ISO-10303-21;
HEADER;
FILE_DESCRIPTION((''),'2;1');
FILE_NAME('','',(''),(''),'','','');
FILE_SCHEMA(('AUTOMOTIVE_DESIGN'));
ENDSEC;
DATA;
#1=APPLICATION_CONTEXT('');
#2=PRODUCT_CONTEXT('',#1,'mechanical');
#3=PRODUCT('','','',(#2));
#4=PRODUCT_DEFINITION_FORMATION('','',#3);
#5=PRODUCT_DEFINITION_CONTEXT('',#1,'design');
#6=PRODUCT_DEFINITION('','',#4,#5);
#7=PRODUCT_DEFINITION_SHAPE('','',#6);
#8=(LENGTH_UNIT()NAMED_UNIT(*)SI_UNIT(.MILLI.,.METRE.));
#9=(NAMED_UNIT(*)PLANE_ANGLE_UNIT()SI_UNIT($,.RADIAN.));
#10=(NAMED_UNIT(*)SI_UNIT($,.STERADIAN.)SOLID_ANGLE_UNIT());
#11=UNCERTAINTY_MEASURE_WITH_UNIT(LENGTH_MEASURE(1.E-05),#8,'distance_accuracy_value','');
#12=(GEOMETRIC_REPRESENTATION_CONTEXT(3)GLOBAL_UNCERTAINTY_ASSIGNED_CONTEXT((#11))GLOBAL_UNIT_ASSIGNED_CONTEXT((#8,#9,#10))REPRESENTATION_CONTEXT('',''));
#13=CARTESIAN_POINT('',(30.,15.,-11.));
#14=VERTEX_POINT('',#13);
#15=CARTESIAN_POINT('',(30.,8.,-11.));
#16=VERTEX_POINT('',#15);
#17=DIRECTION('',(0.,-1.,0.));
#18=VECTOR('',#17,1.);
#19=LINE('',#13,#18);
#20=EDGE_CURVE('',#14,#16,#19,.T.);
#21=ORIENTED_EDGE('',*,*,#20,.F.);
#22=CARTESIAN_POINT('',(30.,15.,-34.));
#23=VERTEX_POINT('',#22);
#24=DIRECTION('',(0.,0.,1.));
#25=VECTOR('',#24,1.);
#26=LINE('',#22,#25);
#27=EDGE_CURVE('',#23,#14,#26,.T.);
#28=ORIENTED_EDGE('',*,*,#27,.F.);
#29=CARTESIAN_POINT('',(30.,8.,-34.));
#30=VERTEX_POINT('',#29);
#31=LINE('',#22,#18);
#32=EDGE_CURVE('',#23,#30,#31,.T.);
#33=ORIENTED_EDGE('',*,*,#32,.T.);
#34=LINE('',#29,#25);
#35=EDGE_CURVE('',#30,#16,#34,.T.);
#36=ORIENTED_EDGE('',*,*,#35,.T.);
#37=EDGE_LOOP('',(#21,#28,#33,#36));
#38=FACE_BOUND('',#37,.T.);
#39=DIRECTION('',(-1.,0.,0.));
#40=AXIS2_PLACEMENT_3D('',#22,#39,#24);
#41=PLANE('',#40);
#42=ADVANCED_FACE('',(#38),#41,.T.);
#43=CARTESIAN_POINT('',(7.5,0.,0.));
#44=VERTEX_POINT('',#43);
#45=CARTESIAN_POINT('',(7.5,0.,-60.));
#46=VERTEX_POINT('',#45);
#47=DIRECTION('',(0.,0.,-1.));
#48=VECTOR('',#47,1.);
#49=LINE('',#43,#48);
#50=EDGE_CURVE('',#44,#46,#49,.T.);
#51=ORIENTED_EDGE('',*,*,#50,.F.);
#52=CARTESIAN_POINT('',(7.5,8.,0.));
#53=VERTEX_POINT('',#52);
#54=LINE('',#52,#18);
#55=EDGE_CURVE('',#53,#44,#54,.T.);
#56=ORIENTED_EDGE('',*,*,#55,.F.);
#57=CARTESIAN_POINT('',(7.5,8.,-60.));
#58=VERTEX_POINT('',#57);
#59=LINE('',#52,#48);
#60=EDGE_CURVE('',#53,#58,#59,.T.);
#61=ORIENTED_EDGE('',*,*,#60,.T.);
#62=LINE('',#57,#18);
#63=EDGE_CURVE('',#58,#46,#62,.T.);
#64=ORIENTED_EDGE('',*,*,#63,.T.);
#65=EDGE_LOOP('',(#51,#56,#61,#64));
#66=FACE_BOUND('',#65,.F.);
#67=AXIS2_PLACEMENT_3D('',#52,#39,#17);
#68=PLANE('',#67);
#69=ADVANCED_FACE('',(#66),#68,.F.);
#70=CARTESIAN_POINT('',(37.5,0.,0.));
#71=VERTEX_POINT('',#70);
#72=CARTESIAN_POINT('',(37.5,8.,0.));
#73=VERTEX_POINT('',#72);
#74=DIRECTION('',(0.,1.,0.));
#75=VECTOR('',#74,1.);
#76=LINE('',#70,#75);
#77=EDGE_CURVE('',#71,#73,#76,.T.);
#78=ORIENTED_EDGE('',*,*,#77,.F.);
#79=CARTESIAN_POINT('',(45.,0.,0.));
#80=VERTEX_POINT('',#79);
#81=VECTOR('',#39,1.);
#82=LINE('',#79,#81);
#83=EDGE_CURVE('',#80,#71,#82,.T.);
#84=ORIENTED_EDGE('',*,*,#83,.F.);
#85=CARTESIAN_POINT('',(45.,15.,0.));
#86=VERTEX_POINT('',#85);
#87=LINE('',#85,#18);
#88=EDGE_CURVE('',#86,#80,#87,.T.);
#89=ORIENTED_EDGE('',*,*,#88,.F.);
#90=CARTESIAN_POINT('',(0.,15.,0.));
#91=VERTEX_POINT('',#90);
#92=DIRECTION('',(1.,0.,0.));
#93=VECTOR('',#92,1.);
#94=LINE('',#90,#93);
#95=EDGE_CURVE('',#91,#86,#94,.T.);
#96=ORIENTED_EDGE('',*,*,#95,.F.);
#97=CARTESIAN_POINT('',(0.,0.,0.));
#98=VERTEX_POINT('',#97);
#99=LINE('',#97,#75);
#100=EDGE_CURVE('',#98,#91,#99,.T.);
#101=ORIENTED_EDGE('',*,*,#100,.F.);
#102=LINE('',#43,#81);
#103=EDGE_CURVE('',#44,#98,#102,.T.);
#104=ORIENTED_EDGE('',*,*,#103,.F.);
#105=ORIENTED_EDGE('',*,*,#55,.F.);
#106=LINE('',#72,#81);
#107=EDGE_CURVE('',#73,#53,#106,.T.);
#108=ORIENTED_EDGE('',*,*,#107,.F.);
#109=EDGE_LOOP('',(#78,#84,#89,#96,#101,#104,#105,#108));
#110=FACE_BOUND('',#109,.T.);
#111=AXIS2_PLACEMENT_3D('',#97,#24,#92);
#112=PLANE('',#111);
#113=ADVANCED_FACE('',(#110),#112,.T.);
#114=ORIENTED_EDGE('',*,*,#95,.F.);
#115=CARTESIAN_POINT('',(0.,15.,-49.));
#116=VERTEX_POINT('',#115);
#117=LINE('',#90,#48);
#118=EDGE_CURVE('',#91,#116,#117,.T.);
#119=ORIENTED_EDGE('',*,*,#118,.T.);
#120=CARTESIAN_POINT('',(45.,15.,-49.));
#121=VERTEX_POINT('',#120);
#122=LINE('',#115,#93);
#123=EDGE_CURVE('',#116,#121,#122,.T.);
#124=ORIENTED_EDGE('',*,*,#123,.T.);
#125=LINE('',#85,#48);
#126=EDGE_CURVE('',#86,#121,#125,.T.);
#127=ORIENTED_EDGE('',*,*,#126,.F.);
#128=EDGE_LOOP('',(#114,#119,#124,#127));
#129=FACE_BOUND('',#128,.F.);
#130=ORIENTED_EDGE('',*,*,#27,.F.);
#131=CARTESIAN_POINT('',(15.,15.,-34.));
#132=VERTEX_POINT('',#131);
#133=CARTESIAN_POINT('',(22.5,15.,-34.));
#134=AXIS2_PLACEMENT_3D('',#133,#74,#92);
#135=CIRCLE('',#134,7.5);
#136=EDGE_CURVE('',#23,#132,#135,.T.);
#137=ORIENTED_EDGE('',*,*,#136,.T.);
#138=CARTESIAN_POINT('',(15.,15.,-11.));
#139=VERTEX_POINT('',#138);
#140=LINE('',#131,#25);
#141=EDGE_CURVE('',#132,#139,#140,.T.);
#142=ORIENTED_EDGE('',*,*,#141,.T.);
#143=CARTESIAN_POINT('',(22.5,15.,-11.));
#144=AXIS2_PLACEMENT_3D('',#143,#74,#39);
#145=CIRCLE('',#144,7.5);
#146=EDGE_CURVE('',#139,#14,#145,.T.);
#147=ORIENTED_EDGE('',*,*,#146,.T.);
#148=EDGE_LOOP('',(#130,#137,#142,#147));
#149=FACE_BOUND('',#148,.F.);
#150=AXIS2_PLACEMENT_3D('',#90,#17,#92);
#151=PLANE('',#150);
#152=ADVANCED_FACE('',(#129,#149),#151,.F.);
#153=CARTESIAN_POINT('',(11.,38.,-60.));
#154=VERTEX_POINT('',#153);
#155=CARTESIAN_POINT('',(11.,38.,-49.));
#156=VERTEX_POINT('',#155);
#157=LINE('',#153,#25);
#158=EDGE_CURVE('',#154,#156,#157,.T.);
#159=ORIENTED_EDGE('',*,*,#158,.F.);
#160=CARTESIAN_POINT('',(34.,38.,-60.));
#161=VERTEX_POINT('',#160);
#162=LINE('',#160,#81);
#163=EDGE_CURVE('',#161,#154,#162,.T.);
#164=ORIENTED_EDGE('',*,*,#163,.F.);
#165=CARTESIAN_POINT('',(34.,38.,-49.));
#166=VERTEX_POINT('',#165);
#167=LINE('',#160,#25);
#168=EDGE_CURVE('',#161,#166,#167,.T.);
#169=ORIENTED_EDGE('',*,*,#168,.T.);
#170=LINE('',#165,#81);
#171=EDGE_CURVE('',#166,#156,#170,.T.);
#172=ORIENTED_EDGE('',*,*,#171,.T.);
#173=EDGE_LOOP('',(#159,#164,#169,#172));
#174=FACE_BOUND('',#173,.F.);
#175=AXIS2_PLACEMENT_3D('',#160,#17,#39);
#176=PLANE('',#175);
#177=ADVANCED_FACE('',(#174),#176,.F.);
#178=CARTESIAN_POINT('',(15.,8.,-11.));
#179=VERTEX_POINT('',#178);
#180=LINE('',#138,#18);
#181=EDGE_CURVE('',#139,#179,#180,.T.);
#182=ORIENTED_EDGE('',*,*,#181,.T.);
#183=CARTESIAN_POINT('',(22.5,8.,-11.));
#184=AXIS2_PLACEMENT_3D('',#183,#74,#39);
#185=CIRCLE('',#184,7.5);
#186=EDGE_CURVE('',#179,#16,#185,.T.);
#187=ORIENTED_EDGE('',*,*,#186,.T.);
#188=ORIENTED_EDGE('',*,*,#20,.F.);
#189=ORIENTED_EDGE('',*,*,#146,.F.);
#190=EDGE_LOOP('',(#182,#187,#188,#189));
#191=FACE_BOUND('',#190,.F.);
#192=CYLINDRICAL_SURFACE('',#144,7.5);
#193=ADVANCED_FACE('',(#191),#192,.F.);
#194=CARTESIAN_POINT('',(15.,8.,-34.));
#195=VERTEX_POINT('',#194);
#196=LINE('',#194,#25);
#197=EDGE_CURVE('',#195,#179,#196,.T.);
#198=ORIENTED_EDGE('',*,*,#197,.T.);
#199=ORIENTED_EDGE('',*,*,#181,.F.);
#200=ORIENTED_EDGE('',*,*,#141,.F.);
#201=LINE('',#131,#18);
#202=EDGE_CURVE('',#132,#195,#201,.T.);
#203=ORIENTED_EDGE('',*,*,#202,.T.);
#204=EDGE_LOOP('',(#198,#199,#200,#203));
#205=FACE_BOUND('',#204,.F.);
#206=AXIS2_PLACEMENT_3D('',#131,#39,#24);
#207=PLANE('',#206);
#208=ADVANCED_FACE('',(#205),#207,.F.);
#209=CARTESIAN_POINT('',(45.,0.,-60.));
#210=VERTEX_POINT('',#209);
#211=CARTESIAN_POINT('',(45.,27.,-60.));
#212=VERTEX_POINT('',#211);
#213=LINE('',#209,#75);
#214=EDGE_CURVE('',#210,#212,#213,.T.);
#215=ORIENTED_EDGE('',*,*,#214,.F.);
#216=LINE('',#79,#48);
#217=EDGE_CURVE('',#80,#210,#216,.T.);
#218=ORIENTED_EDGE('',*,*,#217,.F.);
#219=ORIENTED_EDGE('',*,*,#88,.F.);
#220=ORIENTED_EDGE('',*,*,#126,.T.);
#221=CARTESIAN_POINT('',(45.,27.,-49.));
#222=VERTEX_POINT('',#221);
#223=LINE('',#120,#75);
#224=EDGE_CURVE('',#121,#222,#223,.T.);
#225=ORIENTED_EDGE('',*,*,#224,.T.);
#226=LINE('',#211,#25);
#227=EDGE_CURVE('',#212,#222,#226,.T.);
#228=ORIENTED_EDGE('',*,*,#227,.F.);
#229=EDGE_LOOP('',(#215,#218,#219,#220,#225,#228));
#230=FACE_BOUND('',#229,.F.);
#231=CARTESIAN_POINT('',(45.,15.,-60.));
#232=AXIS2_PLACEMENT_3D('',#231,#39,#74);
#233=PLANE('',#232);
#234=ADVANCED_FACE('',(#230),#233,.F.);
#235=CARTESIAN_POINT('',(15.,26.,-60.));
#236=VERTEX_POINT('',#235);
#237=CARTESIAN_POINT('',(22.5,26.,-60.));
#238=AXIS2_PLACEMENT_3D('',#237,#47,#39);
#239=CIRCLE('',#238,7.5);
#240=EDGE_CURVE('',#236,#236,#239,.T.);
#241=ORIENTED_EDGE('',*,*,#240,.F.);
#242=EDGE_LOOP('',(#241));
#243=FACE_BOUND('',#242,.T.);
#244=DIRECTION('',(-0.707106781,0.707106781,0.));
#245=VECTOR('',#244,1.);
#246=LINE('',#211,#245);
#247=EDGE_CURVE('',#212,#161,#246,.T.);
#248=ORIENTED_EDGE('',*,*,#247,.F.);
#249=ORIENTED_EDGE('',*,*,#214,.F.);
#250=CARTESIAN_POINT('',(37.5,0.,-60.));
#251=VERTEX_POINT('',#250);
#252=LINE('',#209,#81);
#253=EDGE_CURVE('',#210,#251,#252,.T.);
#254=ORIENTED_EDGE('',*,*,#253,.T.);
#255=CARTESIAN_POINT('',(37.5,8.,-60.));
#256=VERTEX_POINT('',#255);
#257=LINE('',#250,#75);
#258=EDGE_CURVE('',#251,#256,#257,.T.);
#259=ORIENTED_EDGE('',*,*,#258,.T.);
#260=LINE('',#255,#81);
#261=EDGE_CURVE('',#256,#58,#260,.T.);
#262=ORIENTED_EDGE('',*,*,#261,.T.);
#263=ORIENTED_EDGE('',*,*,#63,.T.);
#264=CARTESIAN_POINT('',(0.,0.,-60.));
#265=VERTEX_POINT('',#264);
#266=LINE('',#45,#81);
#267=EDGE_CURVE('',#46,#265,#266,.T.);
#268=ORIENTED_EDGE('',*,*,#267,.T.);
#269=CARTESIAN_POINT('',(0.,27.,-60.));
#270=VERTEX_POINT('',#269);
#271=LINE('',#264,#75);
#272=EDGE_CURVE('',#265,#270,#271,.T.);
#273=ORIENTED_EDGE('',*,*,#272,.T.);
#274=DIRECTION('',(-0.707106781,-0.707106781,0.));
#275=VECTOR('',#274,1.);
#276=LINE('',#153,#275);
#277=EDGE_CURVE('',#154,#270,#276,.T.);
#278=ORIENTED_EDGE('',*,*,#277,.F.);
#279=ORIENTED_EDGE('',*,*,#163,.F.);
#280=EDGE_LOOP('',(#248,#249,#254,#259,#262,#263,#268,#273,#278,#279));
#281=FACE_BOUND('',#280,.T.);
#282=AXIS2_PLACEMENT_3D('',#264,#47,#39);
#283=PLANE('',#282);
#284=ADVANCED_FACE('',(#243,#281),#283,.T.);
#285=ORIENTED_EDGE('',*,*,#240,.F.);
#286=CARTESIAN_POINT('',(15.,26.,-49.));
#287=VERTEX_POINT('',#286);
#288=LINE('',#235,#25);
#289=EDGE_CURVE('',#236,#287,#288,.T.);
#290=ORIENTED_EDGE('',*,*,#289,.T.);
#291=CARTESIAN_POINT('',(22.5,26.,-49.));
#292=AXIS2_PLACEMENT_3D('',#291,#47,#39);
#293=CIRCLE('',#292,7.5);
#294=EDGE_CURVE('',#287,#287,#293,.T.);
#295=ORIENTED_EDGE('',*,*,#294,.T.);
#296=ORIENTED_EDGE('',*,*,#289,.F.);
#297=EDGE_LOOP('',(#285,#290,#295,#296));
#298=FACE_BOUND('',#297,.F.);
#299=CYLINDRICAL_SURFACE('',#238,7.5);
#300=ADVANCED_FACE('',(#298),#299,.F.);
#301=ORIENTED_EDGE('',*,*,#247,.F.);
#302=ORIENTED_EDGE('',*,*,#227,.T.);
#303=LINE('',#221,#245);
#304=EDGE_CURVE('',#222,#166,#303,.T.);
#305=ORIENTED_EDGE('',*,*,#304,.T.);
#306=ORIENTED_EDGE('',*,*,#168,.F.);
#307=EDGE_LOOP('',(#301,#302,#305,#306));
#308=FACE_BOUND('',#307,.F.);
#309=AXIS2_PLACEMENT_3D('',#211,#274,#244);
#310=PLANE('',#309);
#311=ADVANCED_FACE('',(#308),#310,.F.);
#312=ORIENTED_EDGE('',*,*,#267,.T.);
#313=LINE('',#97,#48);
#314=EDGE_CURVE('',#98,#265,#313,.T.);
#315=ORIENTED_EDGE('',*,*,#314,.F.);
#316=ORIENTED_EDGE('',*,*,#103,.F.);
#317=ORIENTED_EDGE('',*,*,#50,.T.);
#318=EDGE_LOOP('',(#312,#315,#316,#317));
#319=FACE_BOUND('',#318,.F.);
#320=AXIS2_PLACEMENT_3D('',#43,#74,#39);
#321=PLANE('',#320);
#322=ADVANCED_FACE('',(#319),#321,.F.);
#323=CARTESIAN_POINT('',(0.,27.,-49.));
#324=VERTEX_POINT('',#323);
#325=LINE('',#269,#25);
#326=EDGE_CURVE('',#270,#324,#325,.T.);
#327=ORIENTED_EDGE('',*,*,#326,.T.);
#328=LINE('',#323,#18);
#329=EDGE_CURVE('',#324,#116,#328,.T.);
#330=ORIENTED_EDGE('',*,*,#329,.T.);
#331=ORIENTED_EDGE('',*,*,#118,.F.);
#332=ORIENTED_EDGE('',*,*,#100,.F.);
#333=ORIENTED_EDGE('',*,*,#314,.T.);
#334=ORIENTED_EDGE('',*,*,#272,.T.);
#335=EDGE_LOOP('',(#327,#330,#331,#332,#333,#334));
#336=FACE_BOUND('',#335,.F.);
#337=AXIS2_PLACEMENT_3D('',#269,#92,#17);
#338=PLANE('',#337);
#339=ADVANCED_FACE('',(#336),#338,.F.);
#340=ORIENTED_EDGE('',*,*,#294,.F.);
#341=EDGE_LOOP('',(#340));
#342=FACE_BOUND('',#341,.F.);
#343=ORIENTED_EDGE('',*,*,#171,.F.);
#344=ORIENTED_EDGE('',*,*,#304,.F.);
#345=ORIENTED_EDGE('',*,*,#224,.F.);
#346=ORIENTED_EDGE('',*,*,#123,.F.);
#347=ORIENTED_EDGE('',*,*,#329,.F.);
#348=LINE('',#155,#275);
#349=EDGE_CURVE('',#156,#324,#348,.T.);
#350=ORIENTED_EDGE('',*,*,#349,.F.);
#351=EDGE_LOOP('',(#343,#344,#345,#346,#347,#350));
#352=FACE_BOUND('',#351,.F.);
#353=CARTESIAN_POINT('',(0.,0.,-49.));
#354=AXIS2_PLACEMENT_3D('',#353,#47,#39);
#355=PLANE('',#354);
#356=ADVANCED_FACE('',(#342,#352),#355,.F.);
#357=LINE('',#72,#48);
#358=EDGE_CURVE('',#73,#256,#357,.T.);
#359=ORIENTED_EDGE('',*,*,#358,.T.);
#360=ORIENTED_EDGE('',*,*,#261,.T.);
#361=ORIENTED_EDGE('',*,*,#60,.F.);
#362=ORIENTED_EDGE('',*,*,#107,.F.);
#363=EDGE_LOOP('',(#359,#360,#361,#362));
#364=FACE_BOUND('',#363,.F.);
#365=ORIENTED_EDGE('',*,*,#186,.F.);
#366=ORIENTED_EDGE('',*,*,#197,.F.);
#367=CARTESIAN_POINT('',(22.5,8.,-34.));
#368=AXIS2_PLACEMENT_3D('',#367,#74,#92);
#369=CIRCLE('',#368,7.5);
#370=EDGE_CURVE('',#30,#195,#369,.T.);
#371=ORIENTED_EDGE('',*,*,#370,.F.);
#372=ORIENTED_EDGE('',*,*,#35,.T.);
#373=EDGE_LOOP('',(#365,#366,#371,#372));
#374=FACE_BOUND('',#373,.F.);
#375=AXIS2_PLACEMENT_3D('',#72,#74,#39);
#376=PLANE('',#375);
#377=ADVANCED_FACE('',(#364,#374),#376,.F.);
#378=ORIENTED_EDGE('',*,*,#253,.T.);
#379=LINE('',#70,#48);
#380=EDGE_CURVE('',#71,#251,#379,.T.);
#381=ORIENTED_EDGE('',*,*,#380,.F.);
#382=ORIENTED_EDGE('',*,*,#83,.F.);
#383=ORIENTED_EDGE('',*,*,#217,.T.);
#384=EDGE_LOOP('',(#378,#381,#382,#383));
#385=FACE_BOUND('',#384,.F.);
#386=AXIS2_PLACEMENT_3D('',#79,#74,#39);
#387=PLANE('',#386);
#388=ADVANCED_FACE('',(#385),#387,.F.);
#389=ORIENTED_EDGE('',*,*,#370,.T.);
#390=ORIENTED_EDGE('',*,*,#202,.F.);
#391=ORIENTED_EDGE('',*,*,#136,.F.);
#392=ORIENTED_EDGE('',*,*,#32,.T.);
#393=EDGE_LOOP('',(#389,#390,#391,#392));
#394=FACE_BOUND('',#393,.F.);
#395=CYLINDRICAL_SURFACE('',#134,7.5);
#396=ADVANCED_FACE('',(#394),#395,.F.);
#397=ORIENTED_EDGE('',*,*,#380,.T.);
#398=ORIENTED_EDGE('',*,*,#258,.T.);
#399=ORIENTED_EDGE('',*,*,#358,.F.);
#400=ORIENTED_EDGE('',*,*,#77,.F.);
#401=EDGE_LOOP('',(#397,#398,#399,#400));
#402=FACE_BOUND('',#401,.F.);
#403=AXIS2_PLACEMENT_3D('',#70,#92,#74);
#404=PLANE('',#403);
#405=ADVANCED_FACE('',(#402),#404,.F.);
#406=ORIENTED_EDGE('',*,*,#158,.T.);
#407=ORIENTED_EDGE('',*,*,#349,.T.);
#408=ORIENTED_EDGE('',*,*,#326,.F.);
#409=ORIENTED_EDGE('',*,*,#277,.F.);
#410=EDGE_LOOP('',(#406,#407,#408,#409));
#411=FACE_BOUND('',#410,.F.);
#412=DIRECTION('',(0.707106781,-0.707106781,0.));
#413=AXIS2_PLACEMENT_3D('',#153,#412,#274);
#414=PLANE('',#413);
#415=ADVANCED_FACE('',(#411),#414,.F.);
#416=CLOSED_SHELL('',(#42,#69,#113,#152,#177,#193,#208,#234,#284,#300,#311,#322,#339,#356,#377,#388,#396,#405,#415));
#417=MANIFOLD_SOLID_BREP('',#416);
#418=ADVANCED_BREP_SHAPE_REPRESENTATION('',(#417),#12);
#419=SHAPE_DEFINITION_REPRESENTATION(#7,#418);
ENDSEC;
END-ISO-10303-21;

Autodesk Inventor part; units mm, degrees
ref_plane "YZ Plane" through (0, 0, 0) normal (1, 0, 0) x (0, 1, 0)
ref_plane "XZ Plane" through (0, 0, 0) normal (0, 1, 0) x (-1, 0, 0)
ref_plane "XY Plane" through (0, 0, 0) normal (0, 0, 1) x (1, 0, 0)
sketch "草圖1" plane through (0, 0, 0) normal (0, 0, 1) x (1, 0, 0)
  line L0 (0, 0) -> (0, 15)
  line L1 (0, 15) -> (45, 15)
  line L2 (45, 15) -> (45, 0)
  line L3 (45, 0) -> (37.5, 0)
  line L4 (37.5, 0) -> (37.5, 8)
  line L5 (37.5, 8) -> (7.5, 8)
  line L6 (7.5, 8) -> (7.5, 0)
  line L7 (7.5, 0) -> (0, 0)
  dimension "d0" = 15
  dimension "d1" = 8
  dimension "d2" = 30
  dimension "d3" = 45
  dimension "d4" = 7.5
extrude "擠出1" add sketch "草圖1" against normal blind 60
sketch "草圖2" plane through (0, 15, 0) normal (0, 1, 0) x (1, 0, 0)
  line L0 (15, 34) -> (15, 11)
  line L1 (30, 34) -> (30, 11)
  arc A0 (30, 34) -> (15, 34) centre (22.5, 34) ccw
  arc A1 (15, 11) -> (30, 11) centre (22.5, 11) ccw
  line L2 (0, 0) -> (45, 0) projected
  line L3 (0, 0) -> (0, 60) projected
  dimension "d7" = 11
  dimension "d8" = 15
  dimension "d9" = 7.5
  dimension "d10" = 23
  dimension "d11" = 7.5
  dimension "d12" = 22.5
extrude "擠出2" cut sketch "草圖2" against normal blind 7
sketch "草圖3" plane through (0, 0, -60) normal (0, 0, -1) x (-1, 0, 0)
  line L0 (-45, 15) -> (-45, 0) projected
  line L1 (-45, 15) -> (-45, 27)
  line L2 (-45, 27) -> (-34, 38)
  line L3 (-34, 38) -> (-11, 38)
  line L4 (-11, 38) -> (0, 27)
  line L5 (0, 27) -> (0, 15)
  line L6 (0, 15) -> (-45, 15) projected
  line L7 (0, 15) -> (-45, 15)
  circle A0 centre (-22.5, 26) radius 7.5
  line L8 (-7.5, 0) -> (0, 0) projected
  dimension "d15" = 11
  dimension "d16" = 11
  dimension "d17" = 11
  dimension "d18" = 11
  dimension "d19" = 38
  dimension "d20" = 11
  dimension "d21" = 15
  dimension "d22" = 22.5
extrude "擠出3" add sketch "草圖3" against normal blind 11
properties part number "410571040練習二"
